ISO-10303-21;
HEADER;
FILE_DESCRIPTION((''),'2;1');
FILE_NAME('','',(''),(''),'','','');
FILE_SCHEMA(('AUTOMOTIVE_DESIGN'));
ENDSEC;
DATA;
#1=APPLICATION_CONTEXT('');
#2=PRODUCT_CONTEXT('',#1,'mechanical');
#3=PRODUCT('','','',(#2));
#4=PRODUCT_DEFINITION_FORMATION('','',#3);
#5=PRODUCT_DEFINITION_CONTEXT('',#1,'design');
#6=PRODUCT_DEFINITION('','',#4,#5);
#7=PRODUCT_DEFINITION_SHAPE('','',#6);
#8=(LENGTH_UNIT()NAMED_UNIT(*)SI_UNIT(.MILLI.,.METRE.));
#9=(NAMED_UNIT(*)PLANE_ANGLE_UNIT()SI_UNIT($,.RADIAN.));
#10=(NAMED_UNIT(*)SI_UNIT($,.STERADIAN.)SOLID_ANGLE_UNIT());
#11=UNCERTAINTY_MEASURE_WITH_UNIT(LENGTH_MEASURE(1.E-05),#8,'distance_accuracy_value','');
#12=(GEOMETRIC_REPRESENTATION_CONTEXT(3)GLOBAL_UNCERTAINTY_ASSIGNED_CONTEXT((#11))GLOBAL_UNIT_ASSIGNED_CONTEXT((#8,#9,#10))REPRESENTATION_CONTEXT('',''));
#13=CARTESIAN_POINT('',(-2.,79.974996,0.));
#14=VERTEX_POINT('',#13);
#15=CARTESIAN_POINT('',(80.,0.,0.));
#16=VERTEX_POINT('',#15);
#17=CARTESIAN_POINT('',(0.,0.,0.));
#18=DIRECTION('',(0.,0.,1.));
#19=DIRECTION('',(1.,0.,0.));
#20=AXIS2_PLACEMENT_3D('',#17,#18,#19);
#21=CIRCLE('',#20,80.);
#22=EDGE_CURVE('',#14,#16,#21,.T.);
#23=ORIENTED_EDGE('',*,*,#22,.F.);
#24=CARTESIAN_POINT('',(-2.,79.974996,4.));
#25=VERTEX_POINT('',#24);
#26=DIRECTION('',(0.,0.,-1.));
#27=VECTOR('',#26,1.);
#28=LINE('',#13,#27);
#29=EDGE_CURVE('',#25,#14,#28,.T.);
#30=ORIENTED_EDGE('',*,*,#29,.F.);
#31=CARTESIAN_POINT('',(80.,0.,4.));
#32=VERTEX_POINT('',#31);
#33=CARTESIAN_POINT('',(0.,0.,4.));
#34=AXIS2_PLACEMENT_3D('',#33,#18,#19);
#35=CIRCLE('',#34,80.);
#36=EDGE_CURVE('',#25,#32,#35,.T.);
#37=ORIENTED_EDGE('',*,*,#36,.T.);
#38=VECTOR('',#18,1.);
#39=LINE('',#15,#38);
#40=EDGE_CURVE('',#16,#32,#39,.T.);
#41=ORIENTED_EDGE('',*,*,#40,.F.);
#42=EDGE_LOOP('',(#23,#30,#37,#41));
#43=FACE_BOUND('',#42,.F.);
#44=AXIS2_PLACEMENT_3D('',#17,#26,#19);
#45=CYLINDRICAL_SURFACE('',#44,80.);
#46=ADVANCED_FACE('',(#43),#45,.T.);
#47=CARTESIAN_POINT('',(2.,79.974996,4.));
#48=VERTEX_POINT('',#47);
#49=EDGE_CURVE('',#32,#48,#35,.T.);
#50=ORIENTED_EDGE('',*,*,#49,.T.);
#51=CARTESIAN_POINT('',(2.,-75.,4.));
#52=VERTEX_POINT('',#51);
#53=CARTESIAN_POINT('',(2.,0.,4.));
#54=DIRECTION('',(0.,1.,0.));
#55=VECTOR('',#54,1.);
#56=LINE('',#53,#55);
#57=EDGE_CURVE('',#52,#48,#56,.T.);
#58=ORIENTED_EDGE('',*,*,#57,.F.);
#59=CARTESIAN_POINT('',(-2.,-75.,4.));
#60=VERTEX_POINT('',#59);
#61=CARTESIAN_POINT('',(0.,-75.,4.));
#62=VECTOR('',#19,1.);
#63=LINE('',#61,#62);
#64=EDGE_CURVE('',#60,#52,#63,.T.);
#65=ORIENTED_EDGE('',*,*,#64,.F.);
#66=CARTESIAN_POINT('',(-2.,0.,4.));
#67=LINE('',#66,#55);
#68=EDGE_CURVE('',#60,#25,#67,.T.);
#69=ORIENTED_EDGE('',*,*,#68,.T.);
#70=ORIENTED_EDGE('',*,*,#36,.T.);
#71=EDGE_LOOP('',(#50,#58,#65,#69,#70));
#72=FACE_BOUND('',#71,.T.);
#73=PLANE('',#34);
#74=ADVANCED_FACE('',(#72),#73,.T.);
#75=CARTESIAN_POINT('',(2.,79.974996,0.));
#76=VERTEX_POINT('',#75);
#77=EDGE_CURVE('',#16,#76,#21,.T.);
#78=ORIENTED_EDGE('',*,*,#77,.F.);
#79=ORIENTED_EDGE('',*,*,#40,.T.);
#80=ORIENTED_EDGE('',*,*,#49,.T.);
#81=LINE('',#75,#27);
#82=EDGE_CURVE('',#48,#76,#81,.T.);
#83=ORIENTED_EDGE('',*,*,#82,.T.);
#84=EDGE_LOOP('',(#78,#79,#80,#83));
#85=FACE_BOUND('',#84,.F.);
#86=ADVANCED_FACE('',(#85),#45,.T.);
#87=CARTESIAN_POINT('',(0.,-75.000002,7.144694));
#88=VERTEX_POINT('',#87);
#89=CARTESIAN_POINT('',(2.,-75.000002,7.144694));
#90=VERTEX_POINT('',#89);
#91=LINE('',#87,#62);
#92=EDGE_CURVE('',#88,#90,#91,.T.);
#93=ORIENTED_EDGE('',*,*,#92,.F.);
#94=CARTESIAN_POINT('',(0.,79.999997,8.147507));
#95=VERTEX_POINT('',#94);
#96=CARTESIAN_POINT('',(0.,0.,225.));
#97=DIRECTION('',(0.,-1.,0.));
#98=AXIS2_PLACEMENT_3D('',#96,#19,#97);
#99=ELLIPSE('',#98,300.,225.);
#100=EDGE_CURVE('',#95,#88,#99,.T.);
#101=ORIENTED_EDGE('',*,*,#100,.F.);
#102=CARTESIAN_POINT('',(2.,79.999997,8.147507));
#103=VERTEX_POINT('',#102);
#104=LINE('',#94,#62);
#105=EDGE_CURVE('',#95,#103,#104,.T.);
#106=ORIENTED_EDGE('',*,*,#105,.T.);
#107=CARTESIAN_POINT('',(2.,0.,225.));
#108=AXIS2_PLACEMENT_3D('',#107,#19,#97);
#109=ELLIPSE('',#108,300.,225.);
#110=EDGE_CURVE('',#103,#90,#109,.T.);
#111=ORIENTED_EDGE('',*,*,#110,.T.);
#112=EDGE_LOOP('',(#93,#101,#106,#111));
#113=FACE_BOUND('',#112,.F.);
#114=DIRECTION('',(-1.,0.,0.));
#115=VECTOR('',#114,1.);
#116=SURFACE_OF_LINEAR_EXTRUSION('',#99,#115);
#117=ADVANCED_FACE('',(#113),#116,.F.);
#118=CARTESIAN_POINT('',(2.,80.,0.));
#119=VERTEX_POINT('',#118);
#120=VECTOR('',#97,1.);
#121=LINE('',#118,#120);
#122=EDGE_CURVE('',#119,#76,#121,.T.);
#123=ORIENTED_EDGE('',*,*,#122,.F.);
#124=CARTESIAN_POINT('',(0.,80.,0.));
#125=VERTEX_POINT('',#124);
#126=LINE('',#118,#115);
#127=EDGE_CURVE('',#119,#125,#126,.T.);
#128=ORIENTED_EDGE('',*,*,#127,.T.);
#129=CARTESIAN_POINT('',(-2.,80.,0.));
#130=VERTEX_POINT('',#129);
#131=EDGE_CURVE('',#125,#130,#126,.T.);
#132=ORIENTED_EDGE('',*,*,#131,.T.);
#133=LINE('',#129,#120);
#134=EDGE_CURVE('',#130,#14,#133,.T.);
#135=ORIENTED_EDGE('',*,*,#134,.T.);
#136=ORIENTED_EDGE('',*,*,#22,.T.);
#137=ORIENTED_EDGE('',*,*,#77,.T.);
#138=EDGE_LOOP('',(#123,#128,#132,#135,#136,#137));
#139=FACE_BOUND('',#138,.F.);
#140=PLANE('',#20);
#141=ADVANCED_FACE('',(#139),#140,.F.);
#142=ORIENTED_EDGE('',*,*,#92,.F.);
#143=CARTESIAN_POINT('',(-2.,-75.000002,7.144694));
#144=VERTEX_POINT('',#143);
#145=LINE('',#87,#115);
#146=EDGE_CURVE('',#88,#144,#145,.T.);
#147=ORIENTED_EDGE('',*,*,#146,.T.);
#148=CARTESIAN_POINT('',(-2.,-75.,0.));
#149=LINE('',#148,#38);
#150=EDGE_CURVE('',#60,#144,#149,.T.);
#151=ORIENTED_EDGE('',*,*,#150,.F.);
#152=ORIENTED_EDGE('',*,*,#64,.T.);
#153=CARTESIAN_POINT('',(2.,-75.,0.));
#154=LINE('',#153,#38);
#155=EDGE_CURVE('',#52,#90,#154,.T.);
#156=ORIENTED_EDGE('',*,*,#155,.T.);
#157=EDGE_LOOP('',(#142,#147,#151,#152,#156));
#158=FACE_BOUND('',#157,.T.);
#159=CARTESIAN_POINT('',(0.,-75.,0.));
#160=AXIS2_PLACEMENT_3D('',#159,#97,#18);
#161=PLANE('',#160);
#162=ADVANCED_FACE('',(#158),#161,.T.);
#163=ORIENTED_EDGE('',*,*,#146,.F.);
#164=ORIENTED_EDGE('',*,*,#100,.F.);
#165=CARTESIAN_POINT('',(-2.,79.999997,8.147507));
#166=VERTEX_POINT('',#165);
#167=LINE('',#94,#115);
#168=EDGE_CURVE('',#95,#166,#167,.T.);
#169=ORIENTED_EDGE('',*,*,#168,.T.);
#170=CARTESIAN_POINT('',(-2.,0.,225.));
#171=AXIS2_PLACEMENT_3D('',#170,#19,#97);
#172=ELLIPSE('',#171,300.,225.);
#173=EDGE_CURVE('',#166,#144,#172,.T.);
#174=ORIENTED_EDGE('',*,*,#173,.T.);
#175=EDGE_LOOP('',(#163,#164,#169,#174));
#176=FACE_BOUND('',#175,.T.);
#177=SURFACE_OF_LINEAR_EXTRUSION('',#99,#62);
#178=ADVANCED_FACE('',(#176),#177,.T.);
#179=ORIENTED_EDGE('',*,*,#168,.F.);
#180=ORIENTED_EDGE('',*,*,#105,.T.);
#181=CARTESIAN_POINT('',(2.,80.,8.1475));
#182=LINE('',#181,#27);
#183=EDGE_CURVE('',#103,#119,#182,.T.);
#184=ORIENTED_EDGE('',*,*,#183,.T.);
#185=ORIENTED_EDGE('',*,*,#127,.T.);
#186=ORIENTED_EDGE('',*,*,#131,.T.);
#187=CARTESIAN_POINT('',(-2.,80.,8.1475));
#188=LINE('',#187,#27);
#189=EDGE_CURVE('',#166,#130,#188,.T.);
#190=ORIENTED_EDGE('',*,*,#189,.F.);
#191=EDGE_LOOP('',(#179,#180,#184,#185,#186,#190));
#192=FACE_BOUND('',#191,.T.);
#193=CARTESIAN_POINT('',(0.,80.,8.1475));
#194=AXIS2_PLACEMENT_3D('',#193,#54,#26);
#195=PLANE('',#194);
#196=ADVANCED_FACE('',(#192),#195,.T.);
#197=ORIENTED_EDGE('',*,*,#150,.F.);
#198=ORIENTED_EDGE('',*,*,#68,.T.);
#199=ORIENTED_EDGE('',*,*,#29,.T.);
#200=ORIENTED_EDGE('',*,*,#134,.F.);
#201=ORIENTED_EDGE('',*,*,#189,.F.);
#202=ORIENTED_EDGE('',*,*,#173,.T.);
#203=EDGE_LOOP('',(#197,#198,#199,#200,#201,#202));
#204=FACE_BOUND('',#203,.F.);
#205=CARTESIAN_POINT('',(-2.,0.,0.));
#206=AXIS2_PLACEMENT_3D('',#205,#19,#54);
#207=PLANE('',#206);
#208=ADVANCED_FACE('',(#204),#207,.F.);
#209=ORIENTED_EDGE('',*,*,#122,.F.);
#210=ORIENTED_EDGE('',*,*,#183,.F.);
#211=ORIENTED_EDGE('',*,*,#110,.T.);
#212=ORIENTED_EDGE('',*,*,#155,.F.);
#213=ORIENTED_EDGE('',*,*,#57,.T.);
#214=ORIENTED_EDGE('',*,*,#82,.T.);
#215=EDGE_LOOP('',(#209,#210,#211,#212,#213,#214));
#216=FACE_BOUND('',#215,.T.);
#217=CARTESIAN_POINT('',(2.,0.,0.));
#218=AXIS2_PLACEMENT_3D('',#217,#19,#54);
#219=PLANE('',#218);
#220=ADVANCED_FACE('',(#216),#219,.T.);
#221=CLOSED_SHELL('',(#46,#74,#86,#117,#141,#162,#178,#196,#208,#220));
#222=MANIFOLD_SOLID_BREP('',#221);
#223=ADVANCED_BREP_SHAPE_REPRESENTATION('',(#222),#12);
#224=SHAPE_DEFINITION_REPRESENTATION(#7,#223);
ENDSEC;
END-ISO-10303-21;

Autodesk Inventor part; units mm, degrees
ref_plane "YZ Plane" through (0, 0, 0) normal (1, 0, 0) x (0, 1, 0)
ref_plane "XZ Plane" through (0, 0, 0) normal (0, 1, 0) x (-1, 0, 0)
ref_plane "XY Plane" through (0, 0, 0) normal (0, 0, 1) x (1, 0, 0)
sketch "Эскиз1" plane through (0, 0, 0) normal (0, 0, 1) x (1, 0, 0)
  circle A0 centre (0, 0) radius 80 projected
  line L0 (-52.7134, 38.1252) -> (-52.6921, 56.1672) projected
  arc A1 (-51.6909, 57.166) -> (-52.6921, 56.1672) centre (-51.6921, 56.166) ccw projected
  line L1 (-51.6909, 57.166) -> (-13.2117, 57.1206) projected
  arc A2 (-12.2129, 56.1194) -> (-13.2117, 57.1206) centre (-13.2129, 56.1206) ccw projected
  line L2 (-12.2129, 56.1194) -> (-12.2342, 38.0775) projected
  arc A3 (-13.2353, 37.0787) -> (-12.2342, 38.0775) centre (-13.2342, 38.0787) ccw projected
  line L3 (-13.2353, 37.0787) -> (-51.7146, 37.124) projected
  arc A4 (-52.7134, 38.1252) -> (-51.7146, 37.124) centre (-51.7134, 38.124) ccw projected
  point P0 (0, 0)
extrude "Выдавливание1" add sketch "Эскиз1" along normal blind 4 contours A0 | L0 A1 L1 A2 L2 A3 L3 A4
sketch "Эскиз2" plane through (0, 0, 0) normal (1, 0, 0) x (0, 1, 0)
  line L0 (-300, 0) -> (300, 0) construction
  line L1 (300, 0) -> (300, 450) construction
  line L2 (300, 450) -> (-300, 450) construction
  line L3 (-300, 450) -> (-300, 0) construction
  line L4 (300, 450) -> (-300, 0) construction
  line L5 (0, 0) -> (0, 768.792) construction
  ellipse E0 centre (0, 225) end of major axis (-300, 225) minor radius 225 (80, 8.1475) -> (-75, 7.1447) ccw
  line L6 (80, 0) -> (-80, 0) projected
  line L7 (80, 0) -> (-75, 0)
  line L8 (-75, 0) -> (-75, 7.1447)
  line L9 (80, 8.1475) -> (80, 0)
  dimension "d2" = 450
  dimension "d3" = 600
extrude "Выдавливание2" add sketch "Эскиз2" along normal mid plane 4
properties part number "опорная окружность"
